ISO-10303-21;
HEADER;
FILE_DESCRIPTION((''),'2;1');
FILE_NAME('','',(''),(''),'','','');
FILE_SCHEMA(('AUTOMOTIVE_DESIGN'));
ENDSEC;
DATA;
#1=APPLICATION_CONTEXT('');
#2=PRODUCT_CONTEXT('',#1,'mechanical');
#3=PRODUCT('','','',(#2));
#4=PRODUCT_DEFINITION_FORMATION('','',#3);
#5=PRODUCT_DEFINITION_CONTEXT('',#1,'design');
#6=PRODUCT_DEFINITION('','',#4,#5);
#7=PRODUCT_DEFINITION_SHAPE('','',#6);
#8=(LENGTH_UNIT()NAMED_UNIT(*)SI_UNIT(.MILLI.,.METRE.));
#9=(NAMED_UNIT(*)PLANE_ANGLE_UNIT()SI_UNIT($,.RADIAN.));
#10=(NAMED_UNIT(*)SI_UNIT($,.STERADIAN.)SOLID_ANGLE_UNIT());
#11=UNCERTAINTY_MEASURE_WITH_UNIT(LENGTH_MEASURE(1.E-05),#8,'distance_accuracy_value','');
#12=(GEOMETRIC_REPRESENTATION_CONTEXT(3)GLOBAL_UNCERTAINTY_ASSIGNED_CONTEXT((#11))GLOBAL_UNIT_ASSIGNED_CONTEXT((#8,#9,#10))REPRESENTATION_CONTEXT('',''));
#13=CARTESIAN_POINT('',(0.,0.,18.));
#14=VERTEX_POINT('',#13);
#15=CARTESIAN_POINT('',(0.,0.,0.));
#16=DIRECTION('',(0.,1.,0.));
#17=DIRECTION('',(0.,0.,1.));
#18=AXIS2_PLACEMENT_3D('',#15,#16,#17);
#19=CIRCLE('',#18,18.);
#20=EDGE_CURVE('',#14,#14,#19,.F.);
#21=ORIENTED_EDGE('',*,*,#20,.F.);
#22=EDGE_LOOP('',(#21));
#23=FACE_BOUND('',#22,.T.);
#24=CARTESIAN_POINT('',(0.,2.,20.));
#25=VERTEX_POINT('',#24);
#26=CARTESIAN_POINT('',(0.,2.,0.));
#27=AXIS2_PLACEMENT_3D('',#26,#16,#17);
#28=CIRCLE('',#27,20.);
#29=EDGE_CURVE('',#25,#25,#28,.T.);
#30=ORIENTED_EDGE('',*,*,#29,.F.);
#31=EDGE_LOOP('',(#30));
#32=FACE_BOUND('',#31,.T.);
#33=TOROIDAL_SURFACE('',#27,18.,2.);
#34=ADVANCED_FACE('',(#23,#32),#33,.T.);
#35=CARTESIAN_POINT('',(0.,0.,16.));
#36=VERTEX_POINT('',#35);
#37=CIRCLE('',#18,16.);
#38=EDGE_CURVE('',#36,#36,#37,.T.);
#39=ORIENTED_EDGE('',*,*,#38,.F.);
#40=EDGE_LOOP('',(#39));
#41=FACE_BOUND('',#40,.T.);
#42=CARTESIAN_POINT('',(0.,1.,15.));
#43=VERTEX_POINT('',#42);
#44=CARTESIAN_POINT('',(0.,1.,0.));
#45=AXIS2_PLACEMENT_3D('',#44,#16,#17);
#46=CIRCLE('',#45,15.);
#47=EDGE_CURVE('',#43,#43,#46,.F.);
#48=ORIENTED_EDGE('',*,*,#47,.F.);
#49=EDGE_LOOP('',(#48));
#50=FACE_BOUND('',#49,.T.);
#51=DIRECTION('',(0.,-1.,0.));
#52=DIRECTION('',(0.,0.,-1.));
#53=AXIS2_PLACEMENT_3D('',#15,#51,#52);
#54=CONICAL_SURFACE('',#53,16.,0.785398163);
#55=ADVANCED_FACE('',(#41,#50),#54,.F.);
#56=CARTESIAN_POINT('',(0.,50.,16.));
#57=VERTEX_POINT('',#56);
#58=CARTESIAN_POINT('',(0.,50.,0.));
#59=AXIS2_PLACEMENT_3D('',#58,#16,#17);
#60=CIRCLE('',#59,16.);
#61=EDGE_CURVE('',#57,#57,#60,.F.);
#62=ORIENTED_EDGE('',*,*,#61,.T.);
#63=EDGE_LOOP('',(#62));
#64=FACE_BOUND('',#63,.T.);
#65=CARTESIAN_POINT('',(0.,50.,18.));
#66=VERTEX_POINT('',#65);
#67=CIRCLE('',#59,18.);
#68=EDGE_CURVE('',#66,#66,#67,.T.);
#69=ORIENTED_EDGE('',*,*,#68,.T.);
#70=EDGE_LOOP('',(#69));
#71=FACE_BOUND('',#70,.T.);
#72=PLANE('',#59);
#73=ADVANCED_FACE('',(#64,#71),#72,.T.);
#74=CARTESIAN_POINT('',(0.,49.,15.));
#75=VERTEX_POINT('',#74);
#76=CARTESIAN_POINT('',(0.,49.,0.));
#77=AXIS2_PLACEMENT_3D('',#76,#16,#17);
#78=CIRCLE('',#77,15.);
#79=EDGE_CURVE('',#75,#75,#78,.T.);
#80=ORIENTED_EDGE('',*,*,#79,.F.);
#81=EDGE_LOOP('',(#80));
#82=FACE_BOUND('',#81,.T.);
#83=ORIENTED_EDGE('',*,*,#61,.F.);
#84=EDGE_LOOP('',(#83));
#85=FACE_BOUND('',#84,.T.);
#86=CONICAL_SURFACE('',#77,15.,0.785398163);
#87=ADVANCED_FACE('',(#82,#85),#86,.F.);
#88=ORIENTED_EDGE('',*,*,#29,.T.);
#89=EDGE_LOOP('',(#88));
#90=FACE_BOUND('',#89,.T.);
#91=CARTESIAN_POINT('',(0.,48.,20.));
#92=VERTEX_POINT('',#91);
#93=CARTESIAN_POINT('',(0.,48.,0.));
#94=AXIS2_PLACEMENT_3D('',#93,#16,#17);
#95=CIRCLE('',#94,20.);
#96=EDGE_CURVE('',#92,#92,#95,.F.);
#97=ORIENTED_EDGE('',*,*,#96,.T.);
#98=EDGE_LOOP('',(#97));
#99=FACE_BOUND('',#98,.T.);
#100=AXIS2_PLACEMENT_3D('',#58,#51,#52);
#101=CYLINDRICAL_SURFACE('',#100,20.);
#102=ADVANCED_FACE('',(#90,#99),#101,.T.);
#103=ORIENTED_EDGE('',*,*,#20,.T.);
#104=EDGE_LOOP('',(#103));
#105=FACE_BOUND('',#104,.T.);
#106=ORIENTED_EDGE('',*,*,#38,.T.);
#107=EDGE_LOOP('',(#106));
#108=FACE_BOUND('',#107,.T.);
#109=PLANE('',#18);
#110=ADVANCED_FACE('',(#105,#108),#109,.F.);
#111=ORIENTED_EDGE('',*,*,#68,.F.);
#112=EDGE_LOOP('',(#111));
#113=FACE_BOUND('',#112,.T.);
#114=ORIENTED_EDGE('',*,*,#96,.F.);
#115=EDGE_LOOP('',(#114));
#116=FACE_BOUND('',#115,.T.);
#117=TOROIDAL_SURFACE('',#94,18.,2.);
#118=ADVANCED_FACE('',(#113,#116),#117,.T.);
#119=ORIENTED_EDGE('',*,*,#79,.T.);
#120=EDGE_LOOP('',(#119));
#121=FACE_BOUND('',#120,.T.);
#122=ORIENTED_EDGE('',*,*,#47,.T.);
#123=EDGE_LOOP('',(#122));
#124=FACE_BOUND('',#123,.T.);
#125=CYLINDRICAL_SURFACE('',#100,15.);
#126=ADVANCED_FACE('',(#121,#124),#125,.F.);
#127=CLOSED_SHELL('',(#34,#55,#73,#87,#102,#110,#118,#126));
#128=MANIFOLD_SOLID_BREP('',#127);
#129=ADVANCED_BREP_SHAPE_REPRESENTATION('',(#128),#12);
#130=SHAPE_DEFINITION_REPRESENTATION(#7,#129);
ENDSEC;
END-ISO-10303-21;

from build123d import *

# Parameters (mm, degrees)
ESBO_O1_R                = 20
ESBO_O1_R_2              = 15
RESSALTO_EXTRUS_O1_DEPTH = 50
FILETE1_R                = 2
CHANFRO1_SIZE            = 1


with BuildPart() as part:
    # Esboço1 → Ressalto-extrusão1 (new body)
    with BuildSketch(Plane(origin=(0, 0, 0), x_dir=(1, 0, 0), z_dir=(0, 1, 0))):
        with Locations(Location((0, 0, 0), (0, 0, 270))):  # turned: the seam where the file's is
            Circle(ESBO_O1_R)
        with Locations(Location((0, 0, 0), (0, 0, 270))):  # turned: the seam where the file's is
            Circle(ESBO_O1_R_2, mode=Mode.SUBTRACT)
    extrude(amount=RESSALTO_EXTRUS_O1_DEPTH)

    # Filete1
    filete1_edges = [part.edges().sort_by_distance(p)[0] for p in [
        (0, 0, -20),
        (0, 50, -20),
    ]]
    fillet(filete1_edges, radius=FILETE1_R)

    # Chanfro1
    chanfro1_edges = [part.edges().sort_by_distance(p)[0] for p in [
        (0, 0, -15),
        (0, 50, -15),
    ]]
    chamfer(chanfro1_edges, length=CHANFRO1_SIZE)


solid = part.part
